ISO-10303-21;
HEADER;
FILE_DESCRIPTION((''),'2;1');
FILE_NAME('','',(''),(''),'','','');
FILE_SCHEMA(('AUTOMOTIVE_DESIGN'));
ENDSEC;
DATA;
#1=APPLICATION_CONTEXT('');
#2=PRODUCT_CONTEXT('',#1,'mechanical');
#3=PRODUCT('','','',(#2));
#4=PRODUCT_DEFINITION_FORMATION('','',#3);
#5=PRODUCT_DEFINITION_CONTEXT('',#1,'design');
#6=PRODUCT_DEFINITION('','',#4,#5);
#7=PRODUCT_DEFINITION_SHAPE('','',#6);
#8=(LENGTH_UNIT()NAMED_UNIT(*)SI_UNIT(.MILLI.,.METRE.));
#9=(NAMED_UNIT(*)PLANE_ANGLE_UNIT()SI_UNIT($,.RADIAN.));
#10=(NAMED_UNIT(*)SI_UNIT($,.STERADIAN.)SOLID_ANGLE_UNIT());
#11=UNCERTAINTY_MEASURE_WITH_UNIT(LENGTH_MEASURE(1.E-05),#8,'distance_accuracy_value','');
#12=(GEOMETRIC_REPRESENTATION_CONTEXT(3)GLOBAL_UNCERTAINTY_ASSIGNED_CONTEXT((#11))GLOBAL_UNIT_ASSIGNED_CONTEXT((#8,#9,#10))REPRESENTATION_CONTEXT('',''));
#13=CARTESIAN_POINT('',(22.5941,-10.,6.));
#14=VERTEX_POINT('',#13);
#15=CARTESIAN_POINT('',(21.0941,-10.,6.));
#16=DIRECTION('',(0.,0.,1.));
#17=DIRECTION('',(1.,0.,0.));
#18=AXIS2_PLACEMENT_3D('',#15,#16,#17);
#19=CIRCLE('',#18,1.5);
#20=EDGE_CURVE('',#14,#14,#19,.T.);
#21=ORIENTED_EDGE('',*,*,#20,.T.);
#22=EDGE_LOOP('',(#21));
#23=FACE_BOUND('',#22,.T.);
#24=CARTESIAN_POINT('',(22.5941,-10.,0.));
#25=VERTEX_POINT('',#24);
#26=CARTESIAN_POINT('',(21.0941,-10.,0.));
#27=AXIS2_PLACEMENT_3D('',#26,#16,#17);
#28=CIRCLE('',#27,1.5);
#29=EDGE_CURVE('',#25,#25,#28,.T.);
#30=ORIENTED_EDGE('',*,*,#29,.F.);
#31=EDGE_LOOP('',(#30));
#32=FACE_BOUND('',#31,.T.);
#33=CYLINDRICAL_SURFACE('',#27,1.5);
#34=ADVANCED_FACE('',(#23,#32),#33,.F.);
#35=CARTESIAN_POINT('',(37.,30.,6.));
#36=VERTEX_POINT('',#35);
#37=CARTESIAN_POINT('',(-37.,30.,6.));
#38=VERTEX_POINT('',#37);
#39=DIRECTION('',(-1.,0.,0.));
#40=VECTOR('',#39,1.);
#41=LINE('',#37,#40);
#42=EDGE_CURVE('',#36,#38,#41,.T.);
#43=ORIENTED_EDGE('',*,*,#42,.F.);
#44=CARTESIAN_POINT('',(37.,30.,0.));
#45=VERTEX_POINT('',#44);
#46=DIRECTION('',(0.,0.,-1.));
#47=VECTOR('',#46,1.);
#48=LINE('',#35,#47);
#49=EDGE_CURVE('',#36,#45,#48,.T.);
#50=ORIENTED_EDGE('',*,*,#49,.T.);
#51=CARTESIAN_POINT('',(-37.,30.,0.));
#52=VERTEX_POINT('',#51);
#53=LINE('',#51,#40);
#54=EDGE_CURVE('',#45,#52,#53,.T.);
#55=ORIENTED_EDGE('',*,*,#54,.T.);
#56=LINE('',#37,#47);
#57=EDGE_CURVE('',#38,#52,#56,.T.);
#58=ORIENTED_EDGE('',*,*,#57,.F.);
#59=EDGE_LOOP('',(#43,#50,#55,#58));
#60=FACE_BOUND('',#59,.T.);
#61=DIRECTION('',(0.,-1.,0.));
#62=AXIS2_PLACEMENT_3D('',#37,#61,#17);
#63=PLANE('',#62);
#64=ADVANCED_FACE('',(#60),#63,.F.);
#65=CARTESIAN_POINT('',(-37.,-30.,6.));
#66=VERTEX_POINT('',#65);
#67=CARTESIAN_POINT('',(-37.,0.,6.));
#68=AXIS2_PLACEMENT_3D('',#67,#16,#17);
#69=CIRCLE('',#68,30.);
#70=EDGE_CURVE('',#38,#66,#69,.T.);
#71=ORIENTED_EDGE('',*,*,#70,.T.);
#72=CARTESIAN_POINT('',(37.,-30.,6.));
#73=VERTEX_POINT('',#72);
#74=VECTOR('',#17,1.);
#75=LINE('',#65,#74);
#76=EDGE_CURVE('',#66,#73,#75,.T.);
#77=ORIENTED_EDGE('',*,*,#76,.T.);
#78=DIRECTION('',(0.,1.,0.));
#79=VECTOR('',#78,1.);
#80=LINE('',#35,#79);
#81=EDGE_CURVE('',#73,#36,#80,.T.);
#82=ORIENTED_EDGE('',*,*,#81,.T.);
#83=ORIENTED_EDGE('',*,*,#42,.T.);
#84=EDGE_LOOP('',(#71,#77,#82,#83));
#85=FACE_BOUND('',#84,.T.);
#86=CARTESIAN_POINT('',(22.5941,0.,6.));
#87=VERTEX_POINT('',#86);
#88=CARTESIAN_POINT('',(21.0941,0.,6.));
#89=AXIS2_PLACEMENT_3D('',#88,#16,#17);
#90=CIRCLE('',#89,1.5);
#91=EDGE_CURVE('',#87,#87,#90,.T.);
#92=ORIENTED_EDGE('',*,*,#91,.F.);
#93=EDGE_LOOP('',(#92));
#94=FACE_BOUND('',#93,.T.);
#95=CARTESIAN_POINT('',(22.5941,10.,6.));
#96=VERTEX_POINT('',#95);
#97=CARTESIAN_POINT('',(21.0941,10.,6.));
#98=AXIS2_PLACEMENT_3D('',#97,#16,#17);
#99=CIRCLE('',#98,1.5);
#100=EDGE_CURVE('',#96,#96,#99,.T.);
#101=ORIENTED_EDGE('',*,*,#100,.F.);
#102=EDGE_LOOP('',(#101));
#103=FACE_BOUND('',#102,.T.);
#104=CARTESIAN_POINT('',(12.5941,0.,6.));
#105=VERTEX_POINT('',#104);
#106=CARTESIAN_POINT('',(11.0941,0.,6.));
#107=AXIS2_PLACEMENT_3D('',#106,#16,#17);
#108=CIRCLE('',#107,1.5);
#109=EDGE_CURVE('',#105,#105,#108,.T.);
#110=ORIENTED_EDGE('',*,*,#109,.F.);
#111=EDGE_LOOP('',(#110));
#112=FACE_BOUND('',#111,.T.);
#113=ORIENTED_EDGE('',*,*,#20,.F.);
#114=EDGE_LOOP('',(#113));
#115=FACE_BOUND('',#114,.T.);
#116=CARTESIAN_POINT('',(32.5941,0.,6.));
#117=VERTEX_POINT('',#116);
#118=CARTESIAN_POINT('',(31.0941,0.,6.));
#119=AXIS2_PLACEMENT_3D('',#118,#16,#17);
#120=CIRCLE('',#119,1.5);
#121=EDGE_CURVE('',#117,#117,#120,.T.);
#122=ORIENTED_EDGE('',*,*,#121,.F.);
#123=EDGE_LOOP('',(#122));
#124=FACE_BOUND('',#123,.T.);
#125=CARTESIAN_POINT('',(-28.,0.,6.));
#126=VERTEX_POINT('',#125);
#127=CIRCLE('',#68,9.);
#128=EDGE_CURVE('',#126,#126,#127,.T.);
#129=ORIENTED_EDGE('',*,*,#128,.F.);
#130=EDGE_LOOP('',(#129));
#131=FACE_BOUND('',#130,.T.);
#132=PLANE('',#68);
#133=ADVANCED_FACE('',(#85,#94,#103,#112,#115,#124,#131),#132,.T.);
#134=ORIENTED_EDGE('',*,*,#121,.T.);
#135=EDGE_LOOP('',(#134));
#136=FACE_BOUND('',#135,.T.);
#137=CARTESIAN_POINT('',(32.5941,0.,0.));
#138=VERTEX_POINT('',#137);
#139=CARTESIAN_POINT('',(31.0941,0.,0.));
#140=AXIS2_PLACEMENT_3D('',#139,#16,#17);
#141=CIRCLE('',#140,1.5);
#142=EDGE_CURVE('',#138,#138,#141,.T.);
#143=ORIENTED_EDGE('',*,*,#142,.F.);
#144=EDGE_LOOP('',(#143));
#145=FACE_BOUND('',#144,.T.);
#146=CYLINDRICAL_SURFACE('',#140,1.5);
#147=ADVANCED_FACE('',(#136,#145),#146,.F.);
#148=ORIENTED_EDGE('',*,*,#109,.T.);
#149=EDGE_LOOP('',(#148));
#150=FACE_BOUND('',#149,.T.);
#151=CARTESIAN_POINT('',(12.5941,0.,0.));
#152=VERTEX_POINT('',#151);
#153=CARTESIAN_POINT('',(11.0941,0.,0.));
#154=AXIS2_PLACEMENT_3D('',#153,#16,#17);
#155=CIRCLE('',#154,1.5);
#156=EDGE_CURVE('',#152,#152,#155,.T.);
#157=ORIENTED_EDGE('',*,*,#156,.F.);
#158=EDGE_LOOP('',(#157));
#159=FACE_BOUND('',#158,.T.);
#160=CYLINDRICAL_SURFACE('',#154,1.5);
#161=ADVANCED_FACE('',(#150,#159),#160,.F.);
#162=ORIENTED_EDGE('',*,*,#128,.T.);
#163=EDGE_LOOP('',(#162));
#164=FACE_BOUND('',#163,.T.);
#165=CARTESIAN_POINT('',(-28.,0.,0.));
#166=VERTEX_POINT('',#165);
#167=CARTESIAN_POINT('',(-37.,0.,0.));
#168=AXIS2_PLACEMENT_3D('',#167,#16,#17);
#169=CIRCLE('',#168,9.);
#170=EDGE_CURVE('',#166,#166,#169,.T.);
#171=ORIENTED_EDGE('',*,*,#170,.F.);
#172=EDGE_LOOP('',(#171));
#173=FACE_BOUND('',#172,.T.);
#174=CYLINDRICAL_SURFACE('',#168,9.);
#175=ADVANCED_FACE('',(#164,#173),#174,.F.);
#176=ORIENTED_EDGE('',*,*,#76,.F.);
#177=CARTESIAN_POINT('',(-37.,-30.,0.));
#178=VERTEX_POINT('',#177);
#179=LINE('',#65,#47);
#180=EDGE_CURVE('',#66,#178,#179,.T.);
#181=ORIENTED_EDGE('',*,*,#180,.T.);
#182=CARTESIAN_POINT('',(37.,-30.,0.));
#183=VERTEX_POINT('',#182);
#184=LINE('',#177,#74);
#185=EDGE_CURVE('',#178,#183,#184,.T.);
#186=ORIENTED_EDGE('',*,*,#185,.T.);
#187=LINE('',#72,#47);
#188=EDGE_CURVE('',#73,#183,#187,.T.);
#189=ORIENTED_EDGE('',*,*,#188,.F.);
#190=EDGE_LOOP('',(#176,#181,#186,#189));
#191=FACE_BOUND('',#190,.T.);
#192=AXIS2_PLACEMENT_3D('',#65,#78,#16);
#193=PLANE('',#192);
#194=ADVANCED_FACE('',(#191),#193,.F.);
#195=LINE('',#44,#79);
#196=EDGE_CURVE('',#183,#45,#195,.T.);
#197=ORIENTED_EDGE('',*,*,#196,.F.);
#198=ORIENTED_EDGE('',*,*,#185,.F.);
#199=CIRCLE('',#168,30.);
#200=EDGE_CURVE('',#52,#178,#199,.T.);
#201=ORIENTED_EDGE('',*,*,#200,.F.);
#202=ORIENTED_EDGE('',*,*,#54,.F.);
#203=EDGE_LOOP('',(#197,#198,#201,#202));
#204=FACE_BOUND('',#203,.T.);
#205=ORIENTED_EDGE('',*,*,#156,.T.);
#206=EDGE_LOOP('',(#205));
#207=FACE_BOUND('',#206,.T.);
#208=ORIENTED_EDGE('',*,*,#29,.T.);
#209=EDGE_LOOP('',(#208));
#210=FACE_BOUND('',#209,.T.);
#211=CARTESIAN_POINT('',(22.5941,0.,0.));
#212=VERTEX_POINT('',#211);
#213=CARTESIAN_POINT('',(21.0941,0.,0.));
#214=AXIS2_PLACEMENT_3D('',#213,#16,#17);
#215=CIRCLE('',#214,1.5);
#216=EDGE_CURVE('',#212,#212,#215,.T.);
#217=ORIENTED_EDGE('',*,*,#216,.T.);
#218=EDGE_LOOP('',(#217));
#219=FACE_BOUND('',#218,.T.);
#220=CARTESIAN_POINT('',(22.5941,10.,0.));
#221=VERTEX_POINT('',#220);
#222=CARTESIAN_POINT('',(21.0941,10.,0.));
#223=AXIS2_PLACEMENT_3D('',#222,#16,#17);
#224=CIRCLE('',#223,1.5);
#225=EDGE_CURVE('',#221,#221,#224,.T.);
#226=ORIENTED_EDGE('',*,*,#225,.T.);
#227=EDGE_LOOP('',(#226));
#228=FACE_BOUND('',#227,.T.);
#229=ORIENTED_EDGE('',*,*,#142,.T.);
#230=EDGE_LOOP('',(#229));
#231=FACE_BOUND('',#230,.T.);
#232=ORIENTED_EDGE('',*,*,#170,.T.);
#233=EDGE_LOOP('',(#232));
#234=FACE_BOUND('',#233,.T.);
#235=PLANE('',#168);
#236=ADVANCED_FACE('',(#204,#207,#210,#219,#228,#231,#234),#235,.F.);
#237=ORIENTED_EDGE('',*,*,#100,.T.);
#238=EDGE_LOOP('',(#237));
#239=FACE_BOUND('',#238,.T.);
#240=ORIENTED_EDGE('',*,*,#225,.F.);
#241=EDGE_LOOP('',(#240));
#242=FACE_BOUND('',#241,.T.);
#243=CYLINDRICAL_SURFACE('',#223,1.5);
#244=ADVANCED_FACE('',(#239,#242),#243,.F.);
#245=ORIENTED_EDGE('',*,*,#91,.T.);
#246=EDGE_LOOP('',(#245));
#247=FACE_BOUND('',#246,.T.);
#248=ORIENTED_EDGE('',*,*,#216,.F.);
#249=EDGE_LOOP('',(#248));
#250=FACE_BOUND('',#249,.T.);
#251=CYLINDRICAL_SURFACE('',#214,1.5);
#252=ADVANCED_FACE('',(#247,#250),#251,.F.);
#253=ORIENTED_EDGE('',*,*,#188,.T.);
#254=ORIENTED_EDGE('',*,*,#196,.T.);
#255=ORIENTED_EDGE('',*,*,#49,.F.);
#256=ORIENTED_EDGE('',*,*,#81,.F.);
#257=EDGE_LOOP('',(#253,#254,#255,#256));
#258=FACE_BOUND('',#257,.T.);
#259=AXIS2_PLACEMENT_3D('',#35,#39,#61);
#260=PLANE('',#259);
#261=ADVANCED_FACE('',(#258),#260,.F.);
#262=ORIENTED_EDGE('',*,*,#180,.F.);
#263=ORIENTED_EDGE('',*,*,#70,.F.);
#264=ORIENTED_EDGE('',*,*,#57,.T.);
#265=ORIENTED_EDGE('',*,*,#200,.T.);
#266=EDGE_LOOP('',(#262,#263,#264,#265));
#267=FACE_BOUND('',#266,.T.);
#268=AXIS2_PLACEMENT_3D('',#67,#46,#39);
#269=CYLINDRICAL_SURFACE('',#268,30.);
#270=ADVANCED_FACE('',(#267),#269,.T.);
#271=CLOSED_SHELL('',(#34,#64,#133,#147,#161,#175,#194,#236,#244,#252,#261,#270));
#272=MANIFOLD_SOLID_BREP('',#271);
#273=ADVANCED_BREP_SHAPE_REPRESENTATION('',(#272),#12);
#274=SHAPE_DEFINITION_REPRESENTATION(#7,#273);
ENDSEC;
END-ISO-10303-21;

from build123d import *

# Parameters (mm, degrees)
SALIENTE_EXTRUIR1_DEPTH = 6
CROQUIS2_R              = 1.5
CORTAR_EXTRUIR1_DEPTH   = 74.654599313
CROQUIS3_R              = 9
CORTAR_EXTRUIR2_DEPTH   = 74.654599313


with BuildPart() as part:
    # Croquis1 → Saliente-Extruir1 (new body)
    with BuildSketch(Plane.XY):
        with BuildLine():
            Line((-37, 30), (37, 30))
            Line((37, 30), (37, -30))
            Line((37, -30), (-37, -30))
            ThreePointArc((-37, -30), (-67, 0), (-37, 30))
        make_face()
    extrude(amount=SALIENTE_EXTRUIR1_DEPTH)

    # Croquis2 → Cortar-Extruir1 (cut, through all)
    with BuildSketch(Plane.XY.offset(6)):
        with Locations((21.0941, -10)):
            Circle(CROQUIS2_R)
        with Locations((21.0941, 0)):
            Circle(CROQUIS2_R)
        with Locations((21.0941, 10)):
            Circle(CROQUIS2_R)
        with Locations((31.0941, 0)):
            Circle(CROQUIS2_R)
        with Locations((11.0941, 0)):
            Circle(CROQUIS2_R)
    extrude(amount=-CORTAR_EXTRUIR1_DEPTH, mode=Mode.SUBTRACT)

    # Croquis3 → Cortar-Extruir2 (cut, through all)
    with BuildSketch(Plane.XY.offset(6)):
        with Locations((-37, 0)):
            Circle(CROQUIS3_R)
    extrude(amount=-CORTAR_EXTRUIR2_DEPTH, mode=Mode.SUBTRACT)


solid = part.part
